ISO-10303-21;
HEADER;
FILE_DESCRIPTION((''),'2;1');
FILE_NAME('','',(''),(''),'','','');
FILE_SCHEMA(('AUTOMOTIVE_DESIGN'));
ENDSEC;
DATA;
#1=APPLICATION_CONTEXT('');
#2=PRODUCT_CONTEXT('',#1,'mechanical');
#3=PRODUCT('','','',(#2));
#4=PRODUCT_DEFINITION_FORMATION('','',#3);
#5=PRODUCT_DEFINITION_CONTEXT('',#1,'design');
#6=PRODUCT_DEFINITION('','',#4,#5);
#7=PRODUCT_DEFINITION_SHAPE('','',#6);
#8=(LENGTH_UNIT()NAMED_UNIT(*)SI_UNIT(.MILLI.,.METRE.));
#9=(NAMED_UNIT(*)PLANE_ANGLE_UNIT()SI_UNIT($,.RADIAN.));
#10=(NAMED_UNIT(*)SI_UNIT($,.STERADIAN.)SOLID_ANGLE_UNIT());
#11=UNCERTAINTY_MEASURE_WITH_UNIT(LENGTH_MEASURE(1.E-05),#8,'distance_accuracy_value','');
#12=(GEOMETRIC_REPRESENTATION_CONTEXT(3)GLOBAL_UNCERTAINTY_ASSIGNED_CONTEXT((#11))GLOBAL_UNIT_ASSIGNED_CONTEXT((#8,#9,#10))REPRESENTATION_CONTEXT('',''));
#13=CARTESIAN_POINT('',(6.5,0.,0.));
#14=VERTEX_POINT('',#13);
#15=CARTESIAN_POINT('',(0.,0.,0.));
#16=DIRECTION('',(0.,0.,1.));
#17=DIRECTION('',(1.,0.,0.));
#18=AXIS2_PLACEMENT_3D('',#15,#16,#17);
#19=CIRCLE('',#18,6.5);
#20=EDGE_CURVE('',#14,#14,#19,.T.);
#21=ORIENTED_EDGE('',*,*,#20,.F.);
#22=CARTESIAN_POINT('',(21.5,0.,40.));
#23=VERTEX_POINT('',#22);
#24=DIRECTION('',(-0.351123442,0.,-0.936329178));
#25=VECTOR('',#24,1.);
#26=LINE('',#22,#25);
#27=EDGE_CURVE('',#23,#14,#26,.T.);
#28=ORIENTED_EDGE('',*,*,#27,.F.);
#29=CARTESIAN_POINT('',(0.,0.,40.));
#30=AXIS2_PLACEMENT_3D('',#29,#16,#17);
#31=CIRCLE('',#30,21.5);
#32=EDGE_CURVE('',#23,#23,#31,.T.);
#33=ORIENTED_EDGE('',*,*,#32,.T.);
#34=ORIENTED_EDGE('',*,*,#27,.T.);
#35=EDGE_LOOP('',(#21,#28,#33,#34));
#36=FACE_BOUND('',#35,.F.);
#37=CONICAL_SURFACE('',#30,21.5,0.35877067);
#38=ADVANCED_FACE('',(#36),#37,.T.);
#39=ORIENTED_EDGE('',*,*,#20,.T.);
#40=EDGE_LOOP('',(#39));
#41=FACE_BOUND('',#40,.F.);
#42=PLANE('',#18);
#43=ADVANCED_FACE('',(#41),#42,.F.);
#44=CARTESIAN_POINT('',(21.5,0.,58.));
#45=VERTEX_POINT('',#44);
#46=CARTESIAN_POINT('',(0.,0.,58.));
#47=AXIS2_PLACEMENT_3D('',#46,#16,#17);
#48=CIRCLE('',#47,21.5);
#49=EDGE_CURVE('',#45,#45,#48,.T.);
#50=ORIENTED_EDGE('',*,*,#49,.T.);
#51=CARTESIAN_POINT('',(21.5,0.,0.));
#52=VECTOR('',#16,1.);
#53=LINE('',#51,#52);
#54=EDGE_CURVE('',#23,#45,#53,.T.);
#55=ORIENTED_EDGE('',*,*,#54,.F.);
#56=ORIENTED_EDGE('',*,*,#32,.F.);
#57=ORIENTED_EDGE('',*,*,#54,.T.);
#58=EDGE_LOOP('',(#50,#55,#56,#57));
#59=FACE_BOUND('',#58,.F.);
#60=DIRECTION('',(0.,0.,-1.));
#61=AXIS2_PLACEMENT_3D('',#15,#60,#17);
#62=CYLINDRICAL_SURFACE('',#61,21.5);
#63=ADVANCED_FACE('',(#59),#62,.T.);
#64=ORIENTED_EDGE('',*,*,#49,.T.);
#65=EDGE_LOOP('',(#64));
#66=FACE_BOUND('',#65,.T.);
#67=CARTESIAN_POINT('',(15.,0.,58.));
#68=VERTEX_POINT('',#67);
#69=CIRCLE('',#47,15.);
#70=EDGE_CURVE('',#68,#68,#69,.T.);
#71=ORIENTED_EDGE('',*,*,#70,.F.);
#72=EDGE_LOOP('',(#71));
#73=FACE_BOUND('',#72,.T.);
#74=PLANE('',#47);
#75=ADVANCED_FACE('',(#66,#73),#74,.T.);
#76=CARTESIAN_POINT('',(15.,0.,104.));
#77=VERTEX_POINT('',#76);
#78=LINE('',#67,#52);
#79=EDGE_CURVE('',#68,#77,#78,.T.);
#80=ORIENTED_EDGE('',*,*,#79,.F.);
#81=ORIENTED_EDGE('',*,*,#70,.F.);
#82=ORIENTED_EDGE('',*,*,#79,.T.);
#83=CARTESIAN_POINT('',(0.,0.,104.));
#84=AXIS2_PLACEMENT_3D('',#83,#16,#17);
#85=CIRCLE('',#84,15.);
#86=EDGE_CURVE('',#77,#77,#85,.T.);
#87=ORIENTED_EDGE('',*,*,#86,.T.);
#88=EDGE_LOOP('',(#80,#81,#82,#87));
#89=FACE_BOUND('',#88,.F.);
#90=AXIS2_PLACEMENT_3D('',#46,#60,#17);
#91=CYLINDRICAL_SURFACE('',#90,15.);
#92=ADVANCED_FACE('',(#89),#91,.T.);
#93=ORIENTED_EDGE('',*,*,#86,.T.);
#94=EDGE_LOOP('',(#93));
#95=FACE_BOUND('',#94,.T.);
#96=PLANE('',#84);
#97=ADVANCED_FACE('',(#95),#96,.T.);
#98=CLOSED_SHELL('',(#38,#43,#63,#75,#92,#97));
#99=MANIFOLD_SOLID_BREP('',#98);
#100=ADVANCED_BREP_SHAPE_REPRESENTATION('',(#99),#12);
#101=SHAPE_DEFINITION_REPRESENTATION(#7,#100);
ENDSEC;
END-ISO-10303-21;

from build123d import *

# Parameters (mm, degrees)
F0_R     = 21.5
F1_DEPTH = 58
F2_R     = 15
F3_DEPTH = 46
F4_SIZE2 = 15
F4_SIZE  = 40


with BuildPart() as f1:
    # F0 (on Top) → F1 (new body)
    with BuildSketch(Plane.XY):
        Circle(F0_R)
    extrude(amount=F1_DEPTH)

    # F2 (on face) → F3 (join)
    with BuildSketch(Plane.XY.offset(58)):
        Circle(F2_R)
    extrude(amount=F3_DEPTH)

    # F4
    f4_edges = [f1.edges().sort_by_distance(p)[0] for p in [
        (-21.5, 0, 0),
    ]]
    chamfer(f4_edges, length=F4_SIZE, length2=F4_SIZE2)


solid = f1.part
